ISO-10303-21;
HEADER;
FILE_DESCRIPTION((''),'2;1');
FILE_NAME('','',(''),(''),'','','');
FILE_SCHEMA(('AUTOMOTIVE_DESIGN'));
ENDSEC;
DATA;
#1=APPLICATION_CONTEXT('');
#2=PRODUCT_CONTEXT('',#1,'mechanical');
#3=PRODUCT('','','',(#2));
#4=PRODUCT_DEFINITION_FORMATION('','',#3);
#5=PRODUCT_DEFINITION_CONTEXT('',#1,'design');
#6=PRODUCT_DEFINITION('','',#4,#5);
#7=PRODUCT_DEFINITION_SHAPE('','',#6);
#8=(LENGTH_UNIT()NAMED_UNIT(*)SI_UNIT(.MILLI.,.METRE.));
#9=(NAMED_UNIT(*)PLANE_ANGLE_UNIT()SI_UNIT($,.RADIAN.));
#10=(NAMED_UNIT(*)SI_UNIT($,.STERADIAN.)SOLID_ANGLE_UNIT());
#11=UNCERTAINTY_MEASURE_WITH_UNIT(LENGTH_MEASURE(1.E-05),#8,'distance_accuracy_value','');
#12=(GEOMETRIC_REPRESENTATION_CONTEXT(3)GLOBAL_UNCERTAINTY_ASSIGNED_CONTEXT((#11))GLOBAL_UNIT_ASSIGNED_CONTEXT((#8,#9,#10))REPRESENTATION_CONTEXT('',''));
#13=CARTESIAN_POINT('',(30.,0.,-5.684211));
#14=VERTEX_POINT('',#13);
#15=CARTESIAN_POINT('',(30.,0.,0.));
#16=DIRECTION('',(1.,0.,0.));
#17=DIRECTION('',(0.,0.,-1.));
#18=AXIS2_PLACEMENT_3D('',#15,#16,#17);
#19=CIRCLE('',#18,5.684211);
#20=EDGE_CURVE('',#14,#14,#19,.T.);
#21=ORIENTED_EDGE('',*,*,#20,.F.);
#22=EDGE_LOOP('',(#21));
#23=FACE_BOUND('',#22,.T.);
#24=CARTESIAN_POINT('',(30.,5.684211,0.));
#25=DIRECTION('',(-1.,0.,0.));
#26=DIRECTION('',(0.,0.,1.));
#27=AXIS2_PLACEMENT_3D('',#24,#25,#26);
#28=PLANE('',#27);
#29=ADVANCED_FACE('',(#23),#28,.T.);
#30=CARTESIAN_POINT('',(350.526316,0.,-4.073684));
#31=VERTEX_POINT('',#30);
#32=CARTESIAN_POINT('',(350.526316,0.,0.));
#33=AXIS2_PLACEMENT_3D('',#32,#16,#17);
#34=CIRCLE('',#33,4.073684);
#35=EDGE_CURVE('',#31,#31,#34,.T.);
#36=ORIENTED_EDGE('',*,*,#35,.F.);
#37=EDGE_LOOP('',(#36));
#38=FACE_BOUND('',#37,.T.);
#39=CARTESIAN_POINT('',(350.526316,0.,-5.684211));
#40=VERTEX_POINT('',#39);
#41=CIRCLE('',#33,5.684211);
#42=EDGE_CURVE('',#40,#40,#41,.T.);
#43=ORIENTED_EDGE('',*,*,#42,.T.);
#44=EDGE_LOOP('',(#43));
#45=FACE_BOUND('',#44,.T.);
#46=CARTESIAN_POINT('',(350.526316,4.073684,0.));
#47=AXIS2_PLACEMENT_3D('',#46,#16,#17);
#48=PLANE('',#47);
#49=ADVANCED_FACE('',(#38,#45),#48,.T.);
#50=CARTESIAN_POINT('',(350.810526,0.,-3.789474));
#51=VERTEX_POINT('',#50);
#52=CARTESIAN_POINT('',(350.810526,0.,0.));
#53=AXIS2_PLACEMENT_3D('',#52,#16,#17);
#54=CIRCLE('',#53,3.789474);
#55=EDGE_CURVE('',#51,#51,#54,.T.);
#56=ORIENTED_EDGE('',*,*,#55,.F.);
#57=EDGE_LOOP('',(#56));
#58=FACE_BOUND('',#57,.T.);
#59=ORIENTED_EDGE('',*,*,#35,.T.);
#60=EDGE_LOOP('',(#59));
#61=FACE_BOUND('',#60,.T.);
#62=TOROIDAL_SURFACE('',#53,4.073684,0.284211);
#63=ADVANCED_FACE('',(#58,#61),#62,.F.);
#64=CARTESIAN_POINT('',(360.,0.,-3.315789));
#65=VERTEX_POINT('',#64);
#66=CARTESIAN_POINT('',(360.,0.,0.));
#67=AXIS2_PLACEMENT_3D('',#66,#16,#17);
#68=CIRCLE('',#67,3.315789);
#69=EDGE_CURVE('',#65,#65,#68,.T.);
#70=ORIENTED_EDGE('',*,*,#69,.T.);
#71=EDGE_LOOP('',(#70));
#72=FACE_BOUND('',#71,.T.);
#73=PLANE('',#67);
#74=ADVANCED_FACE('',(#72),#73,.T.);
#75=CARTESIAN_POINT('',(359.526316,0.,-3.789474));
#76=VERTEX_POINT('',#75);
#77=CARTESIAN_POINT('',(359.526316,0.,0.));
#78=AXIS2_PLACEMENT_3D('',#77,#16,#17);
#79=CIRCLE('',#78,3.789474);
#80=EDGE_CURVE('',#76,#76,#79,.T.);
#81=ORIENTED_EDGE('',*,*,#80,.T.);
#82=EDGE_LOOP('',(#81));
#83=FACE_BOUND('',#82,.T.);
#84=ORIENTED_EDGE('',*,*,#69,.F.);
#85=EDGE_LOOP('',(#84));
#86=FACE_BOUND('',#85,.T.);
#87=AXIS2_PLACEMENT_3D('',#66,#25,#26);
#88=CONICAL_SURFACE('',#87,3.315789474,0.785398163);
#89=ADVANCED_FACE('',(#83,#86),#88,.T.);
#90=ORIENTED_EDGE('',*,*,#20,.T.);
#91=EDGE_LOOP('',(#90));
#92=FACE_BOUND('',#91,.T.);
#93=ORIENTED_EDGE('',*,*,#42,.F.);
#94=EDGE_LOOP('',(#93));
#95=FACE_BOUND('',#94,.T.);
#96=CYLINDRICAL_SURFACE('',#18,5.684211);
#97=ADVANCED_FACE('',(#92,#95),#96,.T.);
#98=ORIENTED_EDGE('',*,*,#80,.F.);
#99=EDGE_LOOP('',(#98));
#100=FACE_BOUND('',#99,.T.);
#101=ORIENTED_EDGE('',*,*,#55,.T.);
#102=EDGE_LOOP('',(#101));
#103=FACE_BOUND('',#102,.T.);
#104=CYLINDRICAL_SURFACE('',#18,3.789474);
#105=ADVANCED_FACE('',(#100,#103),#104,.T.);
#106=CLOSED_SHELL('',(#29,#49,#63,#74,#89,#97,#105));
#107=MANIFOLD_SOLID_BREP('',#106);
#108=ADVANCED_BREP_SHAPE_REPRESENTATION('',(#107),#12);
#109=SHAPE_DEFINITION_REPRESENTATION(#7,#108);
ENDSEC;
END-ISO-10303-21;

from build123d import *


with BuildPart() as part:
    # Sketch1 → Revolve1 (revolve)
    with BuildSketch(Plane.XY):
        with BuildLine():
            Line((30, 5.684210526), (30, 0))
            Line((30, 0), (360, 0))
            Line((360, 0), (360, 3.315789474))
            Line((360, 3.315789474), (359.526315789, 3.789473684))
            Line((359.526315789, 3.789473684), (350.810526316, 3.789473684))
            ThreePointArc((350.810526316, 3.789473684), (350.609559125, 3.87271702), (350.526315789, 4.073684211))
            Line((350.526315789, 4.073684211), (350.526315789, 5.684210526))
            Line((350.526315789, 5.684210526), (30, 5.684210526))
        make_face()
    revolve(axis=Axis((30, 0, 0), (1, 0, 0)))


solid = part.part
